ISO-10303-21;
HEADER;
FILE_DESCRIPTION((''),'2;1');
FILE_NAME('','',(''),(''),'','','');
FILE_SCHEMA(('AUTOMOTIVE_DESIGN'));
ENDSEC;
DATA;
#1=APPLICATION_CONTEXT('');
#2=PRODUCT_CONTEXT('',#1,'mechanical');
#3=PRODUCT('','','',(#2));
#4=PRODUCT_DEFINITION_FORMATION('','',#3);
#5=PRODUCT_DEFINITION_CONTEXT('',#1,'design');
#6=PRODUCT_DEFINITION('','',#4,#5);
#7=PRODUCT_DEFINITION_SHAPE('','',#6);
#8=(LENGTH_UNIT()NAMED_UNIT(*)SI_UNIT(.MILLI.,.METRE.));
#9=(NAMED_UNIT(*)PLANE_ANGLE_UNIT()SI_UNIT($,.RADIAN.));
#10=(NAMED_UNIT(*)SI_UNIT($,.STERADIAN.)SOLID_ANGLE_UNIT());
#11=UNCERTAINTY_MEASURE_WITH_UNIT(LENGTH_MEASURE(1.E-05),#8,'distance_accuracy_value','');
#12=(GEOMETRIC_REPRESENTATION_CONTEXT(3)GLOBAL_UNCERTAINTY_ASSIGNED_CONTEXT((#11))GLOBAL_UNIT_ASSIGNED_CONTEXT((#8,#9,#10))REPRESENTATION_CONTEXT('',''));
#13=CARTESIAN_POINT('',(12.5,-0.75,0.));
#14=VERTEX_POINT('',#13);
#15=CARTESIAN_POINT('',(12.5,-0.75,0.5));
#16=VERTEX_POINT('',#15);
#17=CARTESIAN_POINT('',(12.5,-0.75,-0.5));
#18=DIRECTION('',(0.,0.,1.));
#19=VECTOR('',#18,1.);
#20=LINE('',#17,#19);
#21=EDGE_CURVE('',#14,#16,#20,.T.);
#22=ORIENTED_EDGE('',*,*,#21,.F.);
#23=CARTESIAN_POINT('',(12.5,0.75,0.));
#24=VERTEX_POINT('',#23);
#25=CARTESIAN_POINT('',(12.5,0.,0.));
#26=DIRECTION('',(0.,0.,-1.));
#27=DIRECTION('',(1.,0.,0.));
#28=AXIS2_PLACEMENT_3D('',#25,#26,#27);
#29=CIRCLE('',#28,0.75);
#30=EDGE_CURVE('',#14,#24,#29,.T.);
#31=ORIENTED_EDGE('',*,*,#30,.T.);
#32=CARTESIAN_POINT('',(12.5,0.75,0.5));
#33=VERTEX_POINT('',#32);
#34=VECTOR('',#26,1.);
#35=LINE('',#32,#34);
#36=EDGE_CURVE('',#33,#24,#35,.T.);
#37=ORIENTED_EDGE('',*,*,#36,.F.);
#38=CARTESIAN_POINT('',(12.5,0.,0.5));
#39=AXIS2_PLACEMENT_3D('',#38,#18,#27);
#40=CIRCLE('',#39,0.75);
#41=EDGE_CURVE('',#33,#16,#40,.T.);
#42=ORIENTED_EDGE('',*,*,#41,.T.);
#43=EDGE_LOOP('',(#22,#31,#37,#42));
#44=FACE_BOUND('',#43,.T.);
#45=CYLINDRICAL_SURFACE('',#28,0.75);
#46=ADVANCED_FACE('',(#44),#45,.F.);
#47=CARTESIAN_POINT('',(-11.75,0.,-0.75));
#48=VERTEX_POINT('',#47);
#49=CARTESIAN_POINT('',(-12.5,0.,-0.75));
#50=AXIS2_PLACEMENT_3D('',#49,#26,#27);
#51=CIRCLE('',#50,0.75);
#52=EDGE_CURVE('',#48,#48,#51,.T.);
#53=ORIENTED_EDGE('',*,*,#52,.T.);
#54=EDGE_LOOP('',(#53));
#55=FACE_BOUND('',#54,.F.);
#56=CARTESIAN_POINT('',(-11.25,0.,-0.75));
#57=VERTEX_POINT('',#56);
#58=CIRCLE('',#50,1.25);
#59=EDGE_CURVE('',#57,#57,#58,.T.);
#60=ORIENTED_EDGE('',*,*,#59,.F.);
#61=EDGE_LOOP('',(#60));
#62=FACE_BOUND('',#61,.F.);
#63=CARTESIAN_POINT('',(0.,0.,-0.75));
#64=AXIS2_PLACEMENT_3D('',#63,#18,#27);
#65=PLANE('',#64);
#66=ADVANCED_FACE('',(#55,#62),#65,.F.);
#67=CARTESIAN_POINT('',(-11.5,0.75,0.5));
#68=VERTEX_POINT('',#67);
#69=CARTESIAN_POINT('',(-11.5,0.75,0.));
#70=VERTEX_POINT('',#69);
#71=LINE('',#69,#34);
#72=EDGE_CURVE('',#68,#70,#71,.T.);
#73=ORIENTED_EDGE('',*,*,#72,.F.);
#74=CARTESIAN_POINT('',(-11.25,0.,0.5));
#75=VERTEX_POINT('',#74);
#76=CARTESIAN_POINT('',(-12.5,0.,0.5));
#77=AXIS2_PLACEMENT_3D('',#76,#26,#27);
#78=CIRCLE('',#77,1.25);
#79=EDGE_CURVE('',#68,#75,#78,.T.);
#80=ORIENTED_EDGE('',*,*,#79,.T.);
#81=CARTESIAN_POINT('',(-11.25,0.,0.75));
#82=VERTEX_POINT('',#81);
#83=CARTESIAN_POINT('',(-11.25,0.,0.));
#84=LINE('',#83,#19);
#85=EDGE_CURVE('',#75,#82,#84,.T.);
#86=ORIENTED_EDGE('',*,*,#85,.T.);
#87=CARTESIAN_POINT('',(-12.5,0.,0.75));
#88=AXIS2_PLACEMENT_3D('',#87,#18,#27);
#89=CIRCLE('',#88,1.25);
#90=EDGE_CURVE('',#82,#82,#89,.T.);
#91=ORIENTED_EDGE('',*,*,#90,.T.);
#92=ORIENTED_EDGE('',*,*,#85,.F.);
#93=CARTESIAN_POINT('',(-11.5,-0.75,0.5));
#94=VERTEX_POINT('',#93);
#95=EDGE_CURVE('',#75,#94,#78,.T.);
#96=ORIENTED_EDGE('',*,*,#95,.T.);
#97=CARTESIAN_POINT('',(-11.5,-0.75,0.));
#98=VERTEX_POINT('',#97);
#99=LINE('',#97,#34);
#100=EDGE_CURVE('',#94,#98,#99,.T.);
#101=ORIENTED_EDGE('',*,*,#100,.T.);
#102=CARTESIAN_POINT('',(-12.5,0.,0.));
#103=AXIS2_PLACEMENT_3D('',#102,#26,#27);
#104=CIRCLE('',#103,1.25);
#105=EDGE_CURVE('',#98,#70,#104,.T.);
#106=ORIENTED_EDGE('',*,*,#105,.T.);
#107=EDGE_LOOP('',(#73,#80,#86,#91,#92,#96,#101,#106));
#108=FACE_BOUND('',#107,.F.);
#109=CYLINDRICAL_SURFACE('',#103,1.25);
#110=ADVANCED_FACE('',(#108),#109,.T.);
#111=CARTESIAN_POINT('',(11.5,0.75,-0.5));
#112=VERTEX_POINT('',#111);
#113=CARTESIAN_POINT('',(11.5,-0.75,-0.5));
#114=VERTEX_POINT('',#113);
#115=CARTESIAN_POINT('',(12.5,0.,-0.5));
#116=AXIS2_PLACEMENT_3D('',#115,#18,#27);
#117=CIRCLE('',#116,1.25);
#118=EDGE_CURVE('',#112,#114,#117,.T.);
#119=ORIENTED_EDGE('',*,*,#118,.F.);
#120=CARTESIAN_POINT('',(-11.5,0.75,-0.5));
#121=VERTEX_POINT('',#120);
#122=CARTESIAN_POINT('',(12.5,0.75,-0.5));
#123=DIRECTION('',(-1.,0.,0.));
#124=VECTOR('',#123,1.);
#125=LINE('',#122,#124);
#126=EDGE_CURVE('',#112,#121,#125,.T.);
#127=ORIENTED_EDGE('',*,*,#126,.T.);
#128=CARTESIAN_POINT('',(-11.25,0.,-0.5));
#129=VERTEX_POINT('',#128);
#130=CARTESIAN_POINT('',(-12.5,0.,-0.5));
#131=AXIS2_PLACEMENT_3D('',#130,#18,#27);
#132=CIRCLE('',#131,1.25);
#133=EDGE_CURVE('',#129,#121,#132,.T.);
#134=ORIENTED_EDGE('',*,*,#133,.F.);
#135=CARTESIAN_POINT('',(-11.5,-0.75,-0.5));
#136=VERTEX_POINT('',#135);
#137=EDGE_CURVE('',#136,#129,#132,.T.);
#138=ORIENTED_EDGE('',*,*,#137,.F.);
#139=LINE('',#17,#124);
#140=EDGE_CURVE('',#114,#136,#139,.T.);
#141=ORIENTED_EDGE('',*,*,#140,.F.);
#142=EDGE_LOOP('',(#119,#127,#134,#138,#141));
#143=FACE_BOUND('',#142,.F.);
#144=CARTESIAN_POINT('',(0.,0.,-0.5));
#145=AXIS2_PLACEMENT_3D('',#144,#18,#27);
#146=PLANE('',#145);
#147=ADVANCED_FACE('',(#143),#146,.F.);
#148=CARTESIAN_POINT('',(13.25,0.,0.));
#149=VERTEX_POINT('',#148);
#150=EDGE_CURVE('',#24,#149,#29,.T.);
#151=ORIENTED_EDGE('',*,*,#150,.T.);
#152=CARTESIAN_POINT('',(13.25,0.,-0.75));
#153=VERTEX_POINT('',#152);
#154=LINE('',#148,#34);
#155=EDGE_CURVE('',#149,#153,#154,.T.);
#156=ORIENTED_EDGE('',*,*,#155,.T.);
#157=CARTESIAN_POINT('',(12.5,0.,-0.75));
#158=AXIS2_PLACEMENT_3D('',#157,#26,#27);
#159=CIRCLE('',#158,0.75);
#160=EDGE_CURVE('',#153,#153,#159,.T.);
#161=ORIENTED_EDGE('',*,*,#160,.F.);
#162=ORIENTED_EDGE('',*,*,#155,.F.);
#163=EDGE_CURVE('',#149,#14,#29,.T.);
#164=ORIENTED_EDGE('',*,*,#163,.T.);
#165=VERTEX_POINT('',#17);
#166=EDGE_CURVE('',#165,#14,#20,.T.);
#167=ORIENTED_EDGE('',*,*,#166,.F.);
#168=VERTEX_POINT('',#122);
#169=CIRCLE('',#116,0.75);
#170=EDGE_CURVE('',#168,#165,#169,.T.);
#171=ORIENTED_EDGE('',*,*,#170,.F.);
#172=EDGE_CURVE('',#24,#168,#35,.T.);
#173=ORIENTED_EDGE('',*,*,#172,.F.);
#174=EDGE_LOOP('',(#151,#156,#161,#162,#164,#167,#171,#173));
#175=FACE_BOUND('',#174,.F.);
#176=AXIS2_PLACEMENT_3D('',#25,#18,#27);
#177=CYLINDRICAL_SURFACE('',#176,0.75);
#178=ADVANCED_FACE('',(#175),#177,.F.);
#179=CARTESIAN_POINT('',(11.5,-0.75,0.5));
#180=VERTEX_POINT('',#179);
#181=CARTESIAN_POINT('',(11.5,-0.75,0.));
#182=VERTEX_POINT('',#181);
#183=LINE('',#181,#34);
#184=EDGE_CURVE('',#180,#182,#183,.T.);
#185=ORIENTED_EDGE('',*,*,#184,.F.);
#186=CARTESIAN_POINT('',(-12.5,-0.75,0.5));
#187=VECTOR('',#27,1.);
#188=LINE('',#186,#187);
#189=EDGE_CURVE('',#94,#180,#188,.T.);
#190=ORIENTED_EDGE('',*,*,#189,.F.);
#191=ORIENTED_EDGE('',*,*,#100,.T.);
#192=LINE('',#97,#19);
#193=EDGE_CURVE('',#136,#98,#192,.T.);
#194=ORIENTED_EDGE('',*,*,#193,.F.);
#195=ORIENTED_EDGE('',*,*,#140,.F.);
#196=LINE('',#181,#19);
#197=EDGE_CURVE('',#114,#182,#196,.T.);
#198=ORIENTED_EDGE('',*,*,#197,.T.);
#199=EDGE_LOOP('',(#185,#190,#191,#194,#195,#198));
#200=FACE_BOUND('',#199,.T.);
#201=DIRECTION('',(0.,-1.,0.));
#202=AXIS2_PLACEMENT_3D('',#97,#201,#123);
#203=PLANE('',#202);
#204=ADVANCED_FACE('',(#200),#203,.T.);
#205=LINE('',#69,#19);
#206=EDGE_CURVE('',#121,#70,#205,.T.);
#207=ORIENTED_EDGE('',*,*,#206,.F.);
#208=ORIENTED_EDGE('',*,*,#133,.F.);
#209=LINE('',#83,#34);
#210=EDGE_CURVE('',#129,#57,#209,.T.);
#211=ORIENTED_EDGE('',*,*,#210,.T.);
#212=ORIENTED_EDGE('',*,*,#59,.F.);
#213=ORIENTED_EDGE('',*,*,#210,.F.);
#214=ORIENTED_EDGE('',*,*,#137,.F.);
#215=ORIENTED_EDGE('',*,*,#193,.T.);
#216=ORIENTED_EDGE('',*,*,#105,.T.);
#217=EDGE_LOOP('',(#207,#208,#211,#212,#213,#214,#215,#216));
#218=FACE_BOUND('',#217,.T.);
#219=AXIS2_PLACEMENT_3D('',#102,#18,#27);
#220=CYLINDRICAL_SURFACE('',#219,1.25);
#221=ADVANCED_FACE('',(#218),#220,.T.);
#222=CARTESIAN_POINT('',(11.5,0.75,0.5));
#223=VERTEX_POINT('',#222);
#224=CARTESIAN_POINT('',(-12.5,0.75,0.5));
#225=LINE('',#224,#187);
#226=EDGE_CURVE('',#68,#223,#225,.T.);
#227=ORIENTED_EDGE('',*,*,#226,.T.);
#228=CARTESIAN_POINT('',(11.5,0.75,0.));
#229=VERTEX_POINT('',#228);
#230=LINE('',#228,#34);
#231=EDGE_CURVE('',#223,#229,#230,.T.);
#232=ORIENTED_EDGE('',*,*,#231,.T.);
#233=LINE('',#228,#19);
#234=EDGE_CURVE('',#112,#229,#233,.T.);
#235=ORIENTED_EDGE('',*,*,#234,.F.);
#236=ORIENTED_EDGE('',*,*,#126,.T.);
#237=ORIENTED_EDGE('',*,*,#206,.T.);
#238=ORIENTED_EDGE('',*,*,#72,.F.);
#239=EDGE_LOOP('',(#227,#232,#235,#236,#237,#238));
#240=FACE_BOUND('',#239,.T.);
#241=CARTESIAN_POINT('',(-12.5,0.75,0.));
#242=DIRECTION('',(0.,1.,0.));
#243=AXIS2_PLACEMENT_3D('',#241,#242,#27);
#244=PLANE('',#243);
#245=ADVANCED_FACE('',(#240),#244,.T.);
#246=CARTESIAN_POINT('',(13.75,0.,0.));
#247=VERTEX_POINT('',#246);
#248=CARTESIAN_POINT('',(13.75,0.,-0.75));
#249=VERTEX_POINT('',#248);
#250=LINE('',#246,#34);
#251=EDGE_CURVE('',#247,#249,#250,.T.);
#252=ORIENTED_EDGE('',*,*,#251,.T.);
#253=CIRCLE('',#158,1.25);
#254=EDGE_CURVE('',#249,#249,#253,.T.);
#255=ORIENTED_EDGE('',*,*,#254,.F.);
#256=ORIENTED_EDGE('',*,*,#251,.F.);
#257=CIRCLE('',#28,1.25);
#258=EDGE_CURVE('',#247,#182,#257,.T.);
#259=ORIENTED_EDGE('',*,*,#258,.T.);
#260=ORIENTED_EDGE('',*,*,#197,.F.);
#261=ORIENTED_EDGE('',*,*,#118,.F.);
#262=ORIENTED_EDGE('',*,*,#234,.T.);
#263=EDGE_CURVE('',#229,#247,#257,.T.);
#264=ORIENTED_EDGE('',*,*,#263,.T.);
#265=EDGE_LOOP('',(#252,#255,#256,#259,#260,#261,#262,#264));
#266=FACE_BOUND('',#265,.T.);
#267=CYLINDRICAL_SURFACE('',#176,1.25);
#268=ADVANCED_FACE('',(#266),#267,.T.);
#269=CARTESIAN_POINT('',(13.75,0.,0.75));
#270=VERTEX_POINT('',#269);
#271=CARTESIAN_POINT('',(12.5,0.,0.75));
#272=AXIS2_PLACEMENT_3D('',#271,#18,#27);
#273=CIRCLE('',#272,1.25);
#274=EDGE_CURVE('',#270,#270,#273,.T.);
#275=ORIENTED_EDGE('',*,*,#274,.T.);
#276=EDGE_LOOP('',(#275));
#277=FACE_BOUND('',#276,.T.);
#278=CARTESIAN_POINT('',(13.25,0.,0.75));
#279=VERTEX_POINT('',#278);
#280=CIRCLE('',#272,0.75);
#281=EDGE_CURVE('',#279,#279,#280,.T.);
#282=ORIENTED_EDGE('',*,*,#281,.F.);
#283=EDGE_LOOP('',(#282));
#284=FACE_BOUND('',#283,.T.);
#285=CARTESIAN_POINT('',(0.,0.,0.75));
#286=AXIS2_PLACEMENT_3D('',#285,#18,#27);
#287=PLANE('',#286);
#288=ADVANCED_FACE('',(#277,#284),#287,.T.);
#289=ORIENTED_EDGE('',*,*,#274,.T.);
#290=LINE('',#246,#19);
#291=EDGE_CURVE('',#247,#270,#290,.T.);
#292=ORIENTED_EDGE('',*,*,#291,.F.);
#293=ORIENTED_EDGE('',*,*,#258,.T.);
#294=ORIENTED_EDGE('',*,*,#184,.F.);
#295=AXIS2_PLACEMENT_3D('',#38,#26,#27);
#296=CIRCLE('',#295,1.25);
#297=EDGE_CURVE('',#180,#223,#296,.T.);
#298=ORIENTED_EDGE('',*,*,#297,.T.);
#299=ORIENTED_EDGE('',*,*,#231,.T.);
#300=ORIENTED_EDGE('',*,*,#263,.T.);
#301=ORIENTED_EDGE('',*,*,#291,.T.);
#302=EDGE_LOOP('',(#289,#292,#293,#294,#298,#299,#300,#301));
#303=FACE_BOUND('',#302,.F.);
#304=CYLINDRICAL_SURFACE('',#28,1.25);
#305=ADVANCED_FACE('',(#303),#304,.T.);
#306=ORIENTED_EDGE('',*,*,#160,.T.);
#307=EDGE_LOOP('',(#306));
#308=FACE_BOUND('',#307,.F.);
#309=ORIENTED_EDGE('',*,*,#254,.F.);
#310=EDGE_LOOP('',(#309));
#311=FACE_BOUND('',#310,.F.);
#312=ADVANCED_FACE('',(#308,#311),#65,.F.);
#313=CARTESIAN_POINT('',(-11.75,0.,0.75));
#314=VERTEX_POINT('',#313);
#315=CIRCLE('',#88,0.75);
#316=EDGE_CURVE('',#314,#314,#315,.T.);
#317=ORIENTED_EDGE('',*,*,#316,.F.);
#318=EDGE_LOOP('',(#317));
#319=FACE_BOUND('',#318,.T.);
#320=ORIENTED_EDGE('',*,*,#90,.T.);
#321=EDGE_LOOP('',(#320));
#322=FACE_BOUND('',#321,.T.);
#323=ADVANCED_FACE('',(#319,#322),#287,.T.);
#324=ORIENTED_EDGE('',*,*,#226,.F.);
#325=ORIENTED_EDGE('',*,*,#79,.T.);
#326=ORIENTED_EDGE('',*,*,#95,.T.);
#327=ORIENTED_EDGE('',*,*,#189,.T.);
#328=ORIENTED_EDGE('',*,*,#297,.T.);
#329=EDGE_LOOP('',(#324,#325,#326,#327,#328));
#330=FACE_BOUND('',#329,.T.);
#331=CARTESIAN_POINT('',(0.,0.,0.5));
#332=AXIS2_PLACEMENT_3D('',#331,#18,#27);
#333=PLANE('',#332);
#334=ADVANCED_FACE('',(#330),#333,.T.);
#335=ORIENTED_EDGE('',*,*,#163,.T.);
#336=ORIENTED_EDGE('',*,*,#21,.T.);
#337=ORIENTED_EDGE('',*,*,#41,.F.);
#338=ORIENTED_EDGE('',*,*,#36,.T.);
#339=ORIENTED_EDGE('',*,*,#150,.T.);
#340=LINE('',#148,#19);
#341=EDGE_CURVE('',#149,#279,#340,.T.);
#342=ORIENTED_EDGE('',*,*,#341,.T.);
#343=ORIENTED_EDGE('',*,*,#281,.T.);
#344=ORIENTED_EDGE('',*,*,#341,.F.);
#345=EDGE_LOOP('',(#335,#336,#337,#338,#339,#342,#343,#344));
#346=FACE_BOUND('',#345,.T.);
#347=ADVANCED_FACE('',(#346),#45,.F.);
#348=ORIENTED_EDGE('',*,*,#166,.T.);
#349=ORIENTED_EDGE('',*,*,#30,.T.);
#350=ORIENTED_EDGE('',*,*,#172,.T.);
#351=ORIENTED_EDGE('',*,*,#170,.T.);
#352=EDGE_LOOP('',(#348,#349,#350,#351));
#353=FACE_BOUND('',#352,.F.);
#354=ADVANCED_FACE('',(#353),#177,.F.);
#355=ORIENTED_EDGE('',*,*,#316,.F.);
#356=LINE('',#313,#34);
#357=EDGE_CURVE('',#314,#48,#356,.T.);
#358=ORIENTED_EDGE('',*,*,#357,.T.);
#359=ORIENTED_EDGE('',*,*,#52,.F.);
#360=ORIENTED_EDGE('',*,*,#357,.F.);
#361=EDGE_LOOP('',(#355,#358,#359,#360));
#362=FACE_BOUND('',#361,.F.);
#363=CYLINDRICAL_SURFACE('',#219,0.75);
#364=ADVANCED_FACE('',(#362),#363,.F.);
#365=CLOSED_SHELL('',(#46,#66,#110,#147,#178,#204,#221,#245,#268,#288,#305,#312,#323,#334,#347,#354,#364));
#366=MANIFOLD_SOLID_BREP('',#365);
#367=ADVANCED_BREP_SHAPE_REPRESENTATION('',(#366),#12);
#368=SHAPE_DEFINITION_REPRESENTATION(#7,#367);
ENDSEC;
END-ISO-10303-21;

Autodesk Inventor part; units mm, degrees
ref_plane "YZ Plane" through (0, 0, 0) normal (1, 0, 0) x (0, 1, 0)
ref_plane "XZ Plane" through (0, 0, 0) normal (0, 1, 0) x (-1, 0, 0)
ref_plane "XY Plane" through (0, 0, 0) normal (0, 0, 1) x (1, 0, 0)
sketch "Sketch4" plane through (0, 0, 0) normal (0, 0, 1) x (1, 0, 0)
  circle A0 centre (-12.5, 0) radius 0.75
  circle A1 centre (-12.5, 0) radius 1.25
  circle A2 centre (12.5, 0) radius 0.75
  circle A3 centre (12.5, 0) radius 1.25
  line L0 (-12.5, 0.75) -> (12.5, 0.75)
  line L1 (12.5, -0.75) -> (-12.5, -0.75)
  point P0 (0, 0)
  dimension "d22" = 1.5
  dimension "d23" = 2.5
  dimension "d24" = 1.5
  dimension "d25" = 2.5
extrude "Extrusion6" add sketch "Sketch4" along normal mid plane 1.5 contours A0 L0 A1 L1 | A0 L1 A1 L0 | L0 A2 L1 A3 | A3 L1 A2 L0
extrude "Extrusion7" add sketch "Sketch4" along normal mid plane 1 contours A0 L0 A1 L1 | L0 A3 L1 A1 | L0 A2 L1 A3 picked at (-11.4262, -0.0887) picked at (11.582, -0.5653)
properties part number "Shaft_Piston"
